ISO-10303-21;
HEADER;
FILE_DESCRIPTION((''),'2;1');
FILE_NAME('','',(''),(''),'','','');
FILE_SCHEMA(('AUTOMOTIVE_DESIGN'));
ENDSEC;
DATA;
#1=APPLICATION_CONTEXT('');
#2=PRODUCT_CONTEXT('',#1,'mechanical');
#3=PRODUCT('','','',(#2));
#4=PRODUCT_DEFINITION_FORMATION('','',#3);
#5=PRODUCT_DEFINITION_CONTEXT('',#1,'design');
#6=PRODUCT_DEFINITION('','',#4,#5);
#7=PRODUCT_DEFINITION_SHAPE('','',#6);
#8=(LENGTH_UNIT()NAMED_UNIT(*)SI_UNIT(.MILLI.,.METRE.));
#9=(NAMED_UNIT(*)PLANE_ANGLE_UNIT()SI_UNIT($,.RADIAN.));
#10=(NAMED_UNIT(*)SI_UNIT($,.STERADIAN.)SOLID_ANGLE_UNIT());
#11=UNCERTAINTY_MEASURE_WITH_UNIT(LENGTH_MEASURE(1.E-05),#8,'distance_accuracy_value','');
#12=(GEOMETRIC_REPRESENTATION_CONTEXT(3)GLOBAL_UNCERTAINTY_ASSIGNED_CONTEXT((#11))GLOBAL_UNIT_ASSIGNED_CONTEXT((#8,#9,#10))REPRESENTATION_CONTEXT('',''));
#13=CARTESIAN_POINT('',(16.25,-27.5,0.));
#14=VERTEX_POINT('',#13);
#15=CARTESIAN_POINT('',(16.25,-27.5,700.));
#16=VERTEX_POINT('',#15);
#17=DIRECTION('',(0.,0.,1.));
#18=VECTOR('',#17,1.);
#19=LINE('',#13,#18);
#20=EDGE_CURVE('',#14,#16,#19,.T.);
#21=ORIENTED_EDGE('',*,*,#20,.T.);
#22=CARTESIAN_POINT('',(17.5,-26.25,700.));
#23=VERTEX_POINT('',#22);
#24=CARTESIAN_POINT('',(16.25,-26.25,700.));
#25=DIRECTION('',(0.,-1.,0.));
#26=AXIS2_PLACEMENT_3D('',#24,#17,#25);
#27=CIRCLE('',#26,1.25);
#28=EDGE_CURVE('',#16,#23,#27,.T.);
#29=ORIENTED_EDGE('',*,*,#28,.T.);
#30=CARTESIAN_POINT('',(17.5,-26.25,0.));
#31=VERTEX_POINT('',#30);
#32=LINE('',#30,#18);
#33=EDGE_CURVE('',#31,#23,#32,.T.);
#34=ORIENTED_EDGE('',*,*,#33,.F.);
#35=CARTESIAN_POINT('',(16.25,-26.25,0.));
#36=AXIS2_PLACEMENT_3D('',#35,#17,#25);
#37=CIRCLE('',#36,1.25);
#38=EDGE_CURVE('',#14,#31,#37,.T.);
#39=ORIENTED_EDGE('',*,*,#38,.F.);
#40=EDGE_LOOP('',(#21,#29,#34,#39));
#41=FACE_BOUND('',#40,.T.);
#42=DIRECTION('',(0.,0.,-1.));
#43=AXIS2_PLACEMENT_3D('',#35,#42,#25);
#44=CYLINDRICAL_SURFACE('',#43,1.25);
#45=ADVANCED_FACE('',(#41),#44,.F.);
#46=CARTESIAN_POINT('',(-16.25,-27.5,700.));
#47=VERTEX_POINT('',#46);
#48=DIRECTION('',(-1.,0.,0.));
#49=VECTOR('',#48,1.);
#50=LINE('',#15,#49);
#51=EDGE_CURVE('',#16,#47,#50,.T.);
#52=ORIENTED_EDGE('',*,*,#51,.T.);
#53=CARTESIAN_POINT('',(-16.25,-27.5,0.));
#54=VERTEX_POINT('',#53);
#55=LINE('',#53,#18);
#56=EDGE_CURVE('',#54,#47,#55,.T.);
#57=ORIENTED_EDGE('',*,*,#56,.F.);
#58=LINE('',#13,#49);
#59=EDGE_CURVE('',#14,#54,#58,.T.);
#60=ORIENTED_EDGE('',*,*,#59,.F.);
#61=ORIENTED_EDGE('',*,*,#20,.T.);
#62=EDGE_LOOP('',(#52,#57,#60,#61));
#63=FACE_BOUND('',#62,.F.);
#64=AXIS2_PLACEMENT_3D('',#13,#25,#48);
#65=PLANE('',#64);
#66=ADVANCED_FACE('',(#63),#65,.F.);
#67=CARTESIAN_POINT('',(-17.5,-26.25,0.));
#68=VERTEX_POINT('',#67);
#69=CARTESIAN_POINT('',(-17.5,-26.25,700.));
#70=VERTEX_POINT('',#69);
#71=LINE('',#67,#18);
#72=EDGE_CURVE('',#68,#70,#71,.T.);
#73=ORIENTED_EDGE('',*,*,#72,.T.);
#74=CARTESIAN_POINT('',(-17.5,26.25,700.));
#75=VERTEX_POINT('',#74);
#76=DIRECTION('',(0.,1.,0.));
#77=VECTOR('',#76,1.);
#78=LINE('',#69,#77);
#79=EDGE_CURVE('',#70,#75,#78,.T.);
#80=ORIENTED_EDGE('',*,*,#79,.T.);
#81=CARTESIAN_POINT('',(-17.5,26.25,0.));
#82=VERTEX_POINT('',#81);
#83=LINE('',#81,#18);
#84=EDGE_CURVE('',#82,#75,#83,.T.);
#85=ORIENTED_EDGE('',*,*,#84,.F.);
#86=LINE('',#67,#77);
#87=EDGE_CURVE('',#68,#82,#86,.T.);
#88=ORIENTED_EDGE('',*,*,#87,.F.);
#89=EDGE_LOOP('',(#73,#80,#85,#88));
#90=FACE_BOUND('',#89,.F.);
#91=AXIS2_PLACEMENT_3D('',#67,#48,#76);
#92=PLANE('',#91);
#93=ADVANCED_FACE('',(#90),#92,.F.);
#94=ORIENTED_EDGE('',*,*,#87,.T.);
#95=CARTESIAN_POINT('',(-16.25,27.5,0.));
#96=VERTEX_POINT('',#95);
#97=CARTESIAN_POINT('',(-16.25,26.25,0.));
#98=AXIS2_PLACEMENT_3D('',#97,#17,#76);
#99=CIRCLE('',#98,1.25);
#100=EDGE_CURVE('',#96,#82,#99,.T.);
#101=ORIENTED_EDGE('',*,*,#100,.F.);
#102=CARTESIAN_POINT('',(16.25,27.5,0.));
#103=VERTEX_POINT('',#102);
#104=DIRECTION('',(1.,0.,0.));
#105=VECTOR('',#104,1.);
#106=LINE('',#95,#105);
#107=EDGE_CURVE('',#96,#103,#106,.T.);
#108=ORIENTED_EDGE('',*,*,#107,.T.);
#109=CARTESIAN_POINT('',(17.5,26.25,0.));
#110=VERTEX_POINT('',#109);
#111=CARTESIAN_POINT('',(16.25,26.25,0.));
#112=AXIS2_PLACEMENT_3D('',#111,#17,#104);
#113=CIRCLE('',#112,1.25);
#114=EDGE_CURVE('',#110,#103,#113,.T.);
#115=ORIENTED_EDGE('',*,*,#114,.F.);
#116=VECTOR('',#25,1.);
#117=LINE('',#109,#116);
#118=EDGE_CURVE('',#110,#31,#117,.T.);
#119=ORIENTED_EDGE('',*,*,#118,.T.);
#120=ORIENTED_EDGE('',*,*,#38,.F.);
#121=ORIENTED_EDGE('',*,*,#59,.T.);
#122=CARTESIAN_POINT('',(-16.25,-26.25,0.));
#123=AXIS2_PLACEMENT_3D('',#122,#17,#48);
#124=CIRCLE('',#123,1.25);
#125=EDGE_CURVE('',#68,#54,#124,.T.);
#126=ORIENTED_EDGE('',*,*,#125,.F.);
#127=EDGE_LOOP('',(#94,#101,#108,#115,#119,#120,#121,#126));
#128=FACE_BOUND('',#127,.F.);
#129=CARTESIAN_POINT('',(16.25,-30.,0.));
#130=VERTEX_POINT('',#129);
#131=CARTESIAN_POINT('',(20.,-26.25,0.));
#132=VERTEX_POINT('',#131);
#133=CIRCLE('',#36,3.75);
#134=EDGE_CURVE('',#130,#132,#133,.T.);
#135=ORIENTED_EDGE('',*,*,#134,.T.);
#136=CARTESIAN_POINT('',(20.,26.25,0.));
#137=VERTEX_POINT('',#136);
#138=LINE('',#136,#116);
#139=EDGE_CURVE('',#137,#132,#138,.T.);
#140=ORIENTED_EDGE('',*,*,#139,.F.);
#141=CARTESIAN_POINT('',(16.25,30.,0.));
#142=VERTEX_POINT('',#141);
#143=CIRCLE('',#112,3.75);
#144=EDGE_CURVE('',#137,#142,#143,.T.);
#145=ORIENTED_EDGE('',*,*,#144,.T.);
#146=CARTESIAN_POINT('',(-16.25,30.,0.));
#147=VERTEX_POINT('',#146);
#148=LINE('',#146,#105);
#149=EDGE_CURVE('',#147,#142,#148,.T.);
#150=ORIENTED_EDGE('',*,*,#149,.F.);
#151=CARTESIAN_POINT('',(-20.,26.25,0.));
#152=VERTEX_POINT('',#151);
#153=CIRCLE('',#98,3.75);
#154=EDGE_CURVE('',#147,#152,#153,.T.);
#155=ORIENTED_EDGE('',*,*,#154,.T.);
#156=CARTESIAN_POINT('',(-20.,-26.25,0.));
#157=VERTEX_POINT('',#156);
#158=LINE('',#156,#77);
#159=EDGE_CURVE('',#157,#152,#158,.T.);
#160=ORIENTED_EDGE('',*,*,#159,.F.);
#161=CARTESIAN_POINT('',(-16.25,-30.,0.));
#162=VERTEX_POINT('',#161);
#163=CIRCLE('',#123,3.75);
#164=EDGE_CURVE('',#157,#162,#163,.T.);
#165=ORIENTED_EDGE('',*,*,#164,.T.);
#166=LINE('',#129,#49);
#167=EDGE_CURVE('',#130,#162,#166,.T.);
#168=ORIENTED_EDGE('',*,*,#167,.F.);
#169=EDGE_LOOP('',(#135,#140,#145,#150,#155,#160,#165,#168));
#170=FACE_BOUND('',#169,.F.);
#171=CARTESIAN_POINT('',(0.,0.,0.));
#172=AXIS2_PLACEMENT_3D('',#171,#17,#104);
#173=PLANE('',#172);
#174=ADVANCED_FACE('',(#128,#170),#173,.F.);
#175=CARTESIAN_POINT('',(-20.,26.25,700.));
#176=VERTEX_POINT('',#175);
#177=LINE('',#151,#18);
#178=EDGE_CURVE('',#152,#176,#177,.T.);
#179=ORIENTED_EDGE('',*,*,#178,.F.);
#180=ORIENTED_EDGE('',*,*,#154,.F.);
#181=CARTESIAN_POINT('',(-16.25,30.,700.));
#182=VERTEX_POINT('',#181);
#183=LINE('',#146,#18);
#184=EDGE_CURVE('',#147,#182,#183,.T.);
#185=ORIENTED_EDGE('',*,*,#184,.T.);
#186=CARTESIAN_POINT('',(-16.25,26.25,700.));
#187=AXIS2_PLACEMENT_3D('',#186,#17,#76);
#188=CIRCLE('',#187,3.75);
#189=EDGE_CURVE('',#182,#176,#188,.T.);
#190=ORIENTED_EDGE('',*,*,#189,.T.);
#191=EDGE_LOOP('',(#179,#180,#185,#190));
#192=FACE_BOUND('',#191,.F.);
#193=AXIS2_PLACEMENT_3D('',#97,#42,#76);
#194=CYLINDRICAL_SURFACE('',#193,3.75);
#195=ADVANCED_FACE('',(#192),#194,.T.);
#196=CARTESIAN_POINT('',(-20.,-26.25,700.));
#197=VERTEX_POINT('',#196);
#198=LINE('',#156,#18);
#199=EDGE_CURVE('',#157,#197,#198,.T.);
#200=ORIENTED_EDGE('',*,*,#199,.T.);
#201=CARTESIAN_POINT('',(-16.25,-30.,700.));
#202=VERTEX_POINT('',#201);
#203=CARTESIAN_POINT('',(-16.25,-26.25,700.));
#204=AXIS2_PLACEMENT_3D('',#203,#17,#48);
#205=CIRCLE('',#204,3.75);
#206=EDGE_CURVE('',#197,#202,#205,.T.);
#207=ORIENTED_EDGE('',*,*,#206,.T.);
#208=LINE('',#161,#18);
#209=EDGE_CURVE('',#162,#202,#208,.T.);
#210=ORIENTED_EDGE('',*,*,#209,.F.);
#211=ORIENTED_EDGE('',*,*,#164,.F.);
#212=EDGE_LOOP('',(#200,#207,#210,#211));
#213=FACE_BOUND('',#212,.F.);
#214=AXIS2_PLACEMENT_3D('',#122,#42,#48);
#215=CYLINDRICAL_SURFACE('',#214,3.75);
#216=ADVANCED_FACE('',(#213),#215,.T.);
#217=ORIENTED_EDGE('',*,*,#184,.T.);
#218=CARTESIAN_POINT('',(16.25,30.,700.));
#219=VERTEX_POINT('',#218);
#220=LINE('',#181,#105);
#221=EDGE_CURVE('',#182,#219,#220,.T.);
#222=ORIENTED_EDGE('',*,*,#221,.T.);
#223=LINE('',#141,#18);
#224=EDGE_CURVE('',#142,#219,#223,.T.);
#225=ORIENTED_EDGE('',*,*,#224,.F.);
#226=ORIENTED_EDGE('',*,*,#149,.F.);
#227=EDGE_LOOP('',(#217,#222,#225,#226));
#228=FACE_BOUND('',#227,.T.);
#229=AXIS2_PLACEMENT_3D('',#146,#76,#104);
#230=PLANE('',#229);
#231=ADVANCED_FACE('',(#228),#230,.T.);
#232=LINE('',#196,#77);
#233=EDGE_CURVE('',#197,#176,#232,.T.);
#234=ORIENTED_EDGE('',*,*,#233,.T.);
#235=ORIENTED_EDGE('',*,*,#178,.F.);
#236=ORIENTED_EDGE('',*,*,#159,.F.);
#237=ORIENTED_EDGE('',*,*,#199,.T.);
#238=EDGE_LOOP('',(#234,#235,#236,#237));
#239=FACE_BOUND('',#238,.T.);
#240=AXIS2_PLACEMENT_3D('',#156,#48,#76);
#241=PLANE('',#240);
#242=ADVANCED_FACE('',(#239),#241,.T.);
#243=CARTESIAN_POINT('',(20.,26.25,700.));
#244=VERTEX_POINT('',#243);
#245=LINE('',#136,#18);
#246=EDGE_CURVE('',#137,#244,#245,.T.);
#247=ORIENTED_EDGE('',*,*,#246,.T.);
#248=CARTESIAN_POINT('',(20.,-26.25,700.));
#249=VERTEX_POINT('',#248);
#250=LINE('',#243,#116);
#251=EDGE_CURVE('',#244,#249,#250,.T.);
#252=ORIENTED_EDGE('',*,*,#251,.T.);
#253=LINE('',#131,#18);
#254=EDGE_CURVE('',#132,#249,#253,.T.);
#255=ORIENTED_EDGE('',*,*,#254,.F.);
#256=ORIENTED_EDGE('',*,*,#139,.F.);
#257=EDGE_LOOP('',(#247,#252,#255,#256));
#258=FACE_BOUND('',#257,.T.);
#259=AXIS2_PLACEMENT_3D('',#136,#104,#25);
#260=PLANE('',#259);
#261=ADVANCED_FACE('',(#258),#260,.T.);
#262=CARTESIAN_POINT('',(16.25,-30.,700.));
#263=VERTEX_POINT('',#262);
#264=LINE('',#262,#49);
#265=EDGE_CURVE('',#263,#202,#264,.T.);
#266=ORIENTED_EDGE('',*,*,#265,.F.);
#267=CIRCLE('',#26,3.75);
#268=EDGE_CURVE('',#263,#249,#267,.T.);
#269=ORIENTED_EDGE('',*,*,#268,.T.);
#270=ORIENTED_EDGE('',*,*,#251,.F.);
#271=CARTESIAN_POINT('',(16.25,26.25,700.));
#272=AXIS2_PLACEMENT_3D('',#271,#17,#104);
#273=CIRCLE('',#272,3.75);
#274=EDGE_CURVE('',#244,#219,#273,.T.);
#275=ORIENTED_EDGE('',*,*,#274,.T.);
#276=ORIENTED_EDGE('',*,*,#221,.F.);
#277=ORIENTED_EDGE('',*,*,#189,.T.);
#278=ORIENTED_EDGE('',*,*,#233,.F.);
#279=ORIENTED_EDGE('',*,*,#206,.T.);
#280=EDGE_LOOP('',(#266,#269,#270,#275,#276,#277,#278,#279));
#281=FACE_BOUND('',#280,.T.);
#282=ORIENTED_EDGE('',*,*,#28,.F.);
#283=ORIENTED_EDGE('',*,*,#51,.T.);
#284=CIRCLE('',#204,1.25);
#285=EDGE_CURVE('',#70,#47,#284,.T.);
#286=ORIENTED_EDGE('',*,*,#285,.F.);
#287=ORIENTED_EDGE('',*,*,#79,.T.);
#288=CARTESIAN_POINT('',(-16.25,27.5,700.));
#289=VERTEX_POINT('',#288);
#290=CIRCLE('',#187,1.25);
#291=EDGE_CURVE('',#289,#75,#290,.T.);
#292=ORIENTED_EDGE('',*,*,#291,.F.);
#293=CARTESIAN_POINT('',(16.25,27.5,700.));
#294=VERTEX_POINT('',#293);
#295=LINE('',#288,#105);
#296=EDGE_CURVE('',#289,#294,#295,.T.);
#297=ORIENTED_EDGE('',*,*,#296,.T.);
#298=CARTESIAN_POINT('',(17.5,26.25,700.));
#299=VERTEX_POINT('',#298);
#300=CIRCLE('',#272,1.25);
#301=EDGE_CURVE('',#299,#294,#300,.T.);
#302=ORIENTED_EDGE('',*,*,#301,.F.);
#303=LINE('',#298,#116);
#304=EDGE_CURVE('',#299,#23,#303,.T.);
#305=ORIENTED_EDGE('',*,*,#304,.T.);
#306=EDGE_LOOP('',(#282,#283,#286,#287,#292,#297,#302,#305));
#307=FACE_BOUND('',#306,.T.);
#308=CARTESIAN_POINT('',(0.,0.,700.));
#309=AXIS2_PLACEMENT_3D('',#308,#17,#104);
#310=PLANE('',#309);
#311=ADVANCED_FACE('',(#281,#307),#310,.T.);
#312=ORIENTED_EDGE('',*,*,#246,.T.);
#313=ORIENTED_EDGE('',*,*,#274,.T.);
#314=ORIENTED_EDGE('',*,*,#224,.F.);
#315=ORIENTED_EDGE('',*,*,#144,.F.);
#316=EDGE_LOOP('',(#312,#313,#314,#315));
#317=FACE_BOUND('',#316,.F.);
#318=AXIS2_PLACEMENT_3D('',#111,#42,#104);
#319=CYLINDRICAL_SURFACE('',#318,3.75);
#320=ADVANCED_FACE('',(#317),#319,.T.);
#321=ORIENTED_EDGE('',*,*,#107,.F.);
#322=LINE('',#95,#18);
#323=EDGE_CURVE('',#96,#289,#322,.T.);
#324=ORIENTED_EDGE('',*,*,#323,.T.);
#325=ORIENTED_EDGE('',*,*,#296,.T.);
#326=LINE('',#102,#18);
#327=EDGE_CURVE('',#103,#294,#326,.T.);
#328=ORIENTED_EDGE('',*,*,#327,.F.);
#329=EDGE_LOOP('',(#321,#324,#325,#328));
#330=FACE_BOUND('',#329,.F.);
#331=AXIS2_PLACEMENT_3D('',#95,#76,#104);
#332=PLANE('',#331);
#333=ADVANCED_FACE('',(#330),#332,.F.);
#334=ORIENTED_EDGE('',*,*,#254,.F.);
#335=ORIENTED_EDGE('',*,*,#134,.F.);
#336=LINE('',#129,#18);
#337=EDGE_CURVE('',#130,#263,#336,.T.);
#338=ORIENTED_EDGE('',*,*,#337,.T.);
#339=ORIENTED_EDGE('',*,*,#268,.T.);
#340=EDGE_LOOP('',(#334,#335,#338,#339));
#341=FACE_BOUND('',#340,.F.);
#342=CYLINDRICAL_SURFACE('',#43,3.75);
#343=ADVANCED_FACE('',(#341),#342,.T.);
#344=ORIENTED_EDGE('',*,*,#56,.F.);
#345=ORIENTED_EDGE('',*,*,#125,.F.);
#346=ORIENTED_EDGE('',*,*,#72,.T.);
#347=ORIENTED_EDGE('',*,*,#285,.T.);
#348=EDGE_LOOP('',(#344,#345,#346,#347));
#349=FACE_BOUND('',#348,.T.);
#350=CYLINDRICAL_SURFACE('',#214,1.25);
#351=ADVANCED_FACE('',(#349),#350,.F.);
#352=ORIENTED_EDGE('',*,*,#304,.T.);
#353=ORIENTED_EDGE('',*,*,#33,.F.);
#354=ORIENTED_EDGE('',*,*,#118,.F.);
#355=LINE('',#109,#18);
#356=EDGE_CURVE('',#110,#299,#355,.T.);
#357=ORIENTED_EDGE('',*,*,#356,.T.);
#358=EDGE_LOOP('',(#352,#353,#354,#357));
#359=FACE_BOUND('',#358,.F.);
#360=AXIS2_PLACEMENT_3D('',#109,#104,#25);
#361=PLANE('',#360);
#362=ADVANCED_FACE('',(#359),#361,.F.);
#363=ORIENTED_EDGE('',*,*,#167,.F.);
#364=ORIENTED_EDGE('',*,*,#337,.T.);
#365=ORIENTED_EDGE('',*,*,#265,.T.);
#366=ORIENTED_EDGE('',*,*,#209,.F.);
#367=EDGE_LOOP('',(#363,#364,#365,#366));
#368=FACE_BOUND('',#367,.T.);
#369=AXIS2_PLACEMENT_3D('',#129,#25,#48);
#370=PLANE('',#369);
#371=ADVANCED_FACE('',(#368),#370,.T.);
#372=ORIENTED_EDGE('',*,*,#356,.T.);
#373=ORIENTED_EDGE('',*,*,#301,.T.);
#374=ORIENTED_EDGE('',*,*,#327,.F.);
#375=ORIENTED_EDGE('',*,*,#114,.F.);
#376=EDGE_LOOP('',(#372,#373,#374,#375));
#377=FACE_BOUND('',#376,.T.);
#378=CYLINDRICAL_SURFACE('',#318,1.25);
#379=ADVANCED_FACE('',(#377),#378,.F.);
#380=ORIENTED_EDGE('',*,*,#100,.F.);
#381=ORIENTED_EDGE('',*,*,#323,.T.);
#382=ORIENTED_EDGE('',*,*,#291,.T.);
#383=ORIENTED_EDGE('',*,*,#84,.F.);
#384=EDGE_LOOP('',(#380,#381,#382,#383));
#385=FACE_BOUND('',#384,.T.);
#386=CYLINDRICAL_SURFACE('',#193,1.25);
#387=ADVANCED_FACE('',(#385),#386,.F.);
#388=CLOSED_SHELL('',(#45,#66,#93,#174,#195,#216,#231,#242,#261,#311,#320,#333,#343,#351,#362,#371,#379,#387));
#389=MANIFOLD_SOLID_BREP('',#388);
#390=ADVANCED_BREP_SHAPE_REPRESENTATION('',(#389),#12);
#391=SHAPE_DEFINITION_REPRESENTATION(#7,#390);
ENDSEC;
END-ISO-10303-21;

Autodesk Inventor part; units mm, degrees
ref_plane "YZ Plane" through (0, 0, 0) normal (1, 0, 0) x (0, 1, 0)
ref_plane "Start plane" through (0, 0, 0) normal (0, 0, 1) x (1, 0, 0)
ref_plane "End plane" through (0, 0, 700) normal (0, 0, 1) x (1, 0, 0)
sketch "Sketch" plane through (0, 0, 0) normal (0, 0, 1) x (1, 0, 0)
  line L0 (-20, -26.25) -> (-20, 26.25)
  line L1 (-16.25, 30) -> (16.25, 30)
  line L2 (20, 26.25) -> (20, -26.25)
  line L3 (16.25, -30) -> (-16.25, -30)
  arc A0 (-20, -26.25) -> (-16.25, -30) centre (-16.25, -26.25) ccw
  arc A1 (-16.25, 30) -> (-20, 26.25) centre (-16.25, 26.25) ccw
  arc A2 (20, 26.25) -> (16.25, 30) centre (16.25, 26.25) ccw
  arc A3 (16.25, -30) -> (20, -26.25) centre (16.25, -26.25) ccw
  arc A4 (-16.25, 27.5) -> (-17.5, 26.25) centre (-16.25, 26.25) ccw
  line L4 (-16.25, 27.5) -> (16.25, 27.5)
  arc A5 (17.5, 26.25) -> (16.25, 27.5) centre (16.25, 26.25) ccw
  line L5 (17.5, 26.25) -> (17.5, -26.25)
  arc A6 (16.25, -27.5) -> (17.5, -26.25) centre (16.25, -26.25) ccw
  line L6 (16.25, -27.5) -> (-16.25, -27.5)
  arc A7 (-17.5, -26.25) -> (-16.25, -27.5) centre (-16.25, -26.25) ccw
  line L7 (-17.5, -26.25) -> (-17.5, 26.25)
  line L8 (0, 43.0873) -> (0, -43.0873) construction
  line L9 (-29.0873, 0) -> (29.0873, 0) construction
  dimension "d7" = 3.75
  dimension "d10" = 60
  dimension "d11" = 40
  dimension "d12" = 2.5
  dimension "d15" = 30
  dimension "d16" = 20
extrude "Body" add sketch "Sketch" along normal up to surface (700 mm away) from surface at 0
sketch "Sketch3" plane through (0, 0, 0) normal (0, 0, 1) x (1, 0, 0)
  line L0 (0, 0) -> (10, 0)
ref_plane "Work Plane3" through (0, 0, 0) normal (0, -1, 0) x (1, 0, 0)
sketch "Sketch4" plane through (0, 0, 0) normal (0, -1, 0) x (1, 0, 0)
  line L0 (-2, 0) -> (12, 0)
  line L1 (-2, 700) -> (12, 700)
  dimension "d18" = 700
equation "\"d7\" = G_IR"
equation "\"d10\" = G_H"
equation "\"d11\" = G_W"
equation "\"d12\" = G_T"
equation "\"d15\" = 0.5 * d10"
equation "\"d16\" = 0.5 * d11"
equation "\"d3\" = G_L"
equation "\"G_W\" = 40"
equation "\"G_H\" = 60"
equation "\"G_T\" = 2.5"
equation "\"G_IR\" = 3.75"
equation "\"G_L\" = d18"
equation "\"G_OFFSET_START\" = 0"
equation "\"G_OFFSET_END\" = 0"
equation "\"d14\" = G_OFFSET_END + B_L"
equation "\"B_L\" = 700"
properties part number "ISO 657/14 - 60x40x2.5 - 700" material "Steel, Mild"
